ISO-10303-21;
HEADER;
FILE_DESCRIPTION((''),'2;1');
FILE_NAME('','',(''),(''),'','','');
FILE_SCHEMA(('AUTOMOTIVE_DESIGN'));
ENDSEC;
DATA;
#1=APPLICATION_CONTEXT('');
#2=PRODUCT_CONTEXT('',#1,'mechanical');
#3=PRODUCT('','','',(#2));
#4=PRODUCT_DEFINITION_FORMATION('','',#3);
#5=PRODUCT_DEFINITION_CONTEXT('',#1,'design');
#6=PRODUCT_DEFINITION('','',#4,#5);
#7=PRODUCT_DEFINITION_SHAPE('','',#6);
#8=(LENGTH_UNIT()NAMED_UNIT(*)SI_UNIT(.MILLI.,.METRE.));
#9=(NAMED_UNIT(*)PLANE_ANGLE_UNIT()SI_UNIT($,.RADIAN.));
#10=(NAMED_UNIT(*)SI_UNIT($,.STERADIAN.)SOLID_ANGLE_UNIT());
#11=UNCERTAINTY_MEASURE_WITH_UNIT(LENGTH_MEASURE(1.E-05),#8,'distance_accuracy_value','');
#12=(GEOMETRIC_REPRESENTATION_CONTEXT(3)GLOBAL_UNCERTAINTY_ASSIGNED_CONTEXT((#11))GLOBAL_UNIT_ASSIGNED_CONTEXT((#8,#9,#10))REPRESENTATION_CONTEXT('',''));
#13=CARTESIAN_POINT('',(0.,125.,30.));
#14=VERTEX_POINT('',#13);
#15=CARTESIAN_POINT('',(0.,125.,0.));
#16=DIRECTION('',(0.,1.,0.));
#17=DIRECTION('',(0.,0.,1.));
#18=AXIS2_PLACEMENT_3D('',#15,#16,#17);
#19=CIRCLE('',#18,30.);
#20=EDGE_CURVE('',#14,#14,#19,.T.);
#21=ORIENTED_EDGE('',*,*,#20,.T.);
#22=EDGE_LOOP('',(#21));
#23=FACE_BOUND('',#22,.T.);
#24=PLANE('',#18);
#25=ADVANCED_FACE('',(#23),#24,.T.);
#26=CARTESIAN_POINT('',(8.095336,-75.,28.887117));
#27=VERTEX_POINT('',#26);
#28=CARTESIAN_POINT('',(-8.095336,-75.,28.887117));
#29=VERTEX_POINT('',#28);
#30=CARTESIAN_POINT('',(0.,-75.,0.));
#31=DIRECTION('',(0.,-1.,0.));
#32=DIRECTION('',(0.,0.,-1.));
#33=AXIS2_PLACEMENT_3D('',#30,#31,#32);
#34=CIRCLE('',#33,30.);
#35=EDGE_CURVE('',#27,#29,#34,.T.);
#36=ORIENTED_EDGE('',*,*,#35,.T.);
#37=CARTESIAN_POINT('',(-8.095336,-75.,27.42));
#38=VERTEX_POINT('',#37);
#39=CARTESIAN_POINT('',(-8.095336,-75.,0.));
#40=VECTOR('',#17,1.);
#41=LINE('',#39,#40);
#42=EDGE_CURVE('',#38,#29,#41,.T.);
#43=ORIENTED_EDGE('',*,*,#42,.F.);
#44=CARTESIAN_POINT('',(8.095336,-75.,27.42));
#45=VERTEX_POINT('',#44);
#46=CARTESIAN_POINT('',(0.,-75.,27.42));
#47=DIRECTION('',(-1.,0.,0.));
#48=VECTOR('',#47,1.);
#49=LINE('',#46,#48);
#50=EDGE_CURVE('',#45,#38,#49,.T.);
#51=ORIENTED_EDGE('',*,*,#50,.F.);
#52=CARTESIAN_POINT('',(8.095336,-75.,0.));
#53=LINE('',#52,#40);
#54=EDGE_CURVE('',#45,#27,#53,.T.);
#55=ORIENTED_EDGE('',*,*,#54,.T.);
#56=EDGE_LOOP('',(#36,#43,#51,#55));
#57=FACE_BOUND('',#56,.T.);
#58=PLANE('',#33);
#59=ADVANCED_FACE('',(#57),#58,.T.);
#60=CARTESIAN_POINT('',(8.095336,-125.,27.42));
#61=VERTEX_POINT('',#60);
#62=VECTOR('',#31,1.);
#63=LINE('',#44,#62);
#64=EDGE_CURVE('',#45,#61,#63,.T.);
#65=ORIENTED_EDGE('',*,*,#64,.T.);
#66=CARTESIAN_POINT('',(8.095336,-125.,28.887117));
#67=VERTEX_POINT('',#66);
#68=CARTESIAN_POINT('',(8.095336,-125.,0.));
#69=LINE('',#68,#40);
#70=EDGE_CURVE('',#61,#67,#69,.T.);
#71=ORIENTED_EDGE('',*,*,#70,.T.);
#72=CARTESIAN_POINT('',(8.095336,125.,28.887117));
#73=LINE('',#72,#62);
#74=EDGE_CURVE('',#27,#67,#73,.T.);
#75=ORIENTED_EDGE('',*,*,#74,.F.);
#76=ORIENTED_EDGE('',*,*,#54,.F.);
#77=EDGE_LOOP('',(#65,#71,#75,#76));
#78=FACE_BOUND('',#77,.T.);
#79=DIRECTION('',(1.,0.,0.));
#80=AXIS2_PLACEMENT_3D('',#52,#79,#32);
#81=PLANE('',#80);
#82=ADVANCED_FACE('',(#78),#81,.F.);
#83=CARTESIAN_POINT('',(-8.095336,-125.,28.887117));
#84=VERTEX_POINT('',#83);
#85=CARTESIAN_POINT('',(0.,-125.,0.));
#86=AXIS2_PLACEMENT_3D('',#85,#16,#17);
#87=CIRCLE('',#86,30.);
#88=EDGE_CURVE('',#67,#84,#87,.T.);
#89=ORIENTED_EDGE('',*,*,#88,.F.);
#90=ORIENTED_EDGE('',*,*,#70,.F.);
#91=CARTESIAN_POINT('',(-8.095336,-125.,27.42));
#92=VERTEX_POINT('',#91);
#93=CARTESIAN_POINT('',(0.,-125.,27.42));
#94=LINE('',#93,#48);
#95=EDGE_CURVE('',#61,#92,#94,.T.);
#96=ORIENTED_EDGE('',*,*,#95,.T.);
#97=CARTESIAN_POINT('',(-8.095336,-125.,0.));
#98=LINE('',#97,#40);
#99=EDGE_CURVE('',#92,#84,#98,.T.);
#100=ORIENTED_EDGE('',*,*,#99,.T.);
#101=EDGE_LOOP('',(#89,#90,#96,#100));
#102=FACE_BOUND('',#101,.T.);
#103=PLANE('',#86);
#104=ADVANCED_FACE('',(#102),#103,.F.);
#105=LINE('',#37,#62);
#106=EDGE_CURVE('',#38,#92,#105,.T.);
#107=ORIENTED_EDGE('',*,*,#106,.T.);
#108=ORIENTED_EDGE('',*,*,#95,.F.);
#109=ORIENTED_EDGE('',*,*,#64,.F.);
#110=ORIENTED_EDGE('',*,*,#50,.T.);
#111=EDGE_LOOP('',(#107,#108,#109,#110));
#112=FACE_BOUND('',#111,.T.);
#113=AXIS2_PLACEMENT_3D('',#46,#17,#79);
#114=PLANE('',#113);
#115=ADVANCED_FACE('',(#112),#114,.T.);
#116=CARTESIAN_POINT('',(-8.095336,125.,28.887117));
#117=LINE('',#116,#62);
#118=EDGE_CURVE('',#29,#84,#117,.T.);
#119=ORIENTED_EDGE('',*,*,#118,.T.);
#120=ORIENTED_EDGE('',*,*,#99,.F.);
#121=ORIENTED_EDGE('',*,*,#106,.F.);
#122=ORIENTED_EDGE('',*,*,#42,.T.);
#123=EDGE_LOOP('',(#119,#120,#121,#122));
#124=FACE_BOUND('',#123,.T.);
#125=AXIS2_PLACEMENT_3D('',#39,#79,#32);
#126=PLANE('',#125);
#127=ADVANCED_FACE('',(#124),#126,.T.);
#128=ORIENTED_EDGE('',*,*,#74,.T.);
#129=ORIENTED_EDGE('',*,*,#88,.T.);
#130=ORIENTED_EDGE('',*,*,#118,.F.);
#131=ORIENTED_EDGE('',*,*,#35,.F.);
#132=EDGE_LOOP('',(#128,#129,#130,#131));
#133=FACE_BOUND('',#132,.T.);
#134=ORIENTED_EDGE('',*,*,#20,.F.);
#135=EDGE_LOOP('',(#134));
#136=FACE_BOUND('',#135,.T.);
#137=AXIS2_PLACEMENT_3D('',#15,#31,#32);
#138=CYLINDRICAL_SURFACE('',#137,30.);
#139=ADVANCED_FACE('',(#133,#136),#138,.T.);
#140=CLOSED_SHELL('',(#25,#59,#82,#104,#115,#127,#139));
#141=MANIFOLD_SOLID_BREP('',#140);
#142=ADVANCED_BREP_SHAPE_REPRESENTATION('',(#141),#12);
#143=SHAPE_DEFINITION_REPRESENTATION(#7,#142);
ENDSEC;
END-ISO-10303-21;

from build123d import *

# Parameters (mm, degrees)
SKETCH2_R           = 30
BOSS_EXTRUDE1_DEPTH = 125
CUT_EXTRUDE1_START  = -50
CUT_EXTRUDE1_DEPTH  = 50


with BuildPart() as part:
    # Sketch2 → Boss-Extrude1 (new, symmetric)
    with BuildSketch(Plane(origin=(0, 0, 0), x_dir=(1, 0, 0), z_dir=(0, 1, 0))):
        with Locations(Location((0, 0, 0), (0, 0, 270))):
            Circle(SKETCH2_R)
    extrude(amount=BOSS_EXTRUDE1_DEPTH, both=True)

    # Sketch3 → Cut-Extrude1 (cut)
    with BuildSketch(Plane.XZ.offset(125).offset(CUT_EXTRUDE1_START)):
        with BuildLine():
            ThreePointArc((-8.095335695, 28.887117197), (0, 30), (8.095335695, 28.887117197))
            Line((8.095335695, 28.887117197), (8.095335695, 34.42))
            Line((8.095335695, 34.42), (-8.095335695, 34.42))
            Line((-8.095335695, 34.42), (-8.095335695, 28.887117197))
        make_face()
        with BuildLine():
            Line((-8.095335695, 27.42), (8.095335695, 27.42))
            Line((8.095335695, 27.42), (8.095335695, 28.887117197))
            ThreePointArc((8.095335695, 28.887117197), (0, 30), (-8.095335695, 28.887117197))
            Line((-8.095335695, 28.887117197), (-8.095335695, 27.42))
        make_face()
    extrude(amount=CUT_EXTRUDE1_DEPTH, mode=Mode.SUBTRACT)


solid = part.part
